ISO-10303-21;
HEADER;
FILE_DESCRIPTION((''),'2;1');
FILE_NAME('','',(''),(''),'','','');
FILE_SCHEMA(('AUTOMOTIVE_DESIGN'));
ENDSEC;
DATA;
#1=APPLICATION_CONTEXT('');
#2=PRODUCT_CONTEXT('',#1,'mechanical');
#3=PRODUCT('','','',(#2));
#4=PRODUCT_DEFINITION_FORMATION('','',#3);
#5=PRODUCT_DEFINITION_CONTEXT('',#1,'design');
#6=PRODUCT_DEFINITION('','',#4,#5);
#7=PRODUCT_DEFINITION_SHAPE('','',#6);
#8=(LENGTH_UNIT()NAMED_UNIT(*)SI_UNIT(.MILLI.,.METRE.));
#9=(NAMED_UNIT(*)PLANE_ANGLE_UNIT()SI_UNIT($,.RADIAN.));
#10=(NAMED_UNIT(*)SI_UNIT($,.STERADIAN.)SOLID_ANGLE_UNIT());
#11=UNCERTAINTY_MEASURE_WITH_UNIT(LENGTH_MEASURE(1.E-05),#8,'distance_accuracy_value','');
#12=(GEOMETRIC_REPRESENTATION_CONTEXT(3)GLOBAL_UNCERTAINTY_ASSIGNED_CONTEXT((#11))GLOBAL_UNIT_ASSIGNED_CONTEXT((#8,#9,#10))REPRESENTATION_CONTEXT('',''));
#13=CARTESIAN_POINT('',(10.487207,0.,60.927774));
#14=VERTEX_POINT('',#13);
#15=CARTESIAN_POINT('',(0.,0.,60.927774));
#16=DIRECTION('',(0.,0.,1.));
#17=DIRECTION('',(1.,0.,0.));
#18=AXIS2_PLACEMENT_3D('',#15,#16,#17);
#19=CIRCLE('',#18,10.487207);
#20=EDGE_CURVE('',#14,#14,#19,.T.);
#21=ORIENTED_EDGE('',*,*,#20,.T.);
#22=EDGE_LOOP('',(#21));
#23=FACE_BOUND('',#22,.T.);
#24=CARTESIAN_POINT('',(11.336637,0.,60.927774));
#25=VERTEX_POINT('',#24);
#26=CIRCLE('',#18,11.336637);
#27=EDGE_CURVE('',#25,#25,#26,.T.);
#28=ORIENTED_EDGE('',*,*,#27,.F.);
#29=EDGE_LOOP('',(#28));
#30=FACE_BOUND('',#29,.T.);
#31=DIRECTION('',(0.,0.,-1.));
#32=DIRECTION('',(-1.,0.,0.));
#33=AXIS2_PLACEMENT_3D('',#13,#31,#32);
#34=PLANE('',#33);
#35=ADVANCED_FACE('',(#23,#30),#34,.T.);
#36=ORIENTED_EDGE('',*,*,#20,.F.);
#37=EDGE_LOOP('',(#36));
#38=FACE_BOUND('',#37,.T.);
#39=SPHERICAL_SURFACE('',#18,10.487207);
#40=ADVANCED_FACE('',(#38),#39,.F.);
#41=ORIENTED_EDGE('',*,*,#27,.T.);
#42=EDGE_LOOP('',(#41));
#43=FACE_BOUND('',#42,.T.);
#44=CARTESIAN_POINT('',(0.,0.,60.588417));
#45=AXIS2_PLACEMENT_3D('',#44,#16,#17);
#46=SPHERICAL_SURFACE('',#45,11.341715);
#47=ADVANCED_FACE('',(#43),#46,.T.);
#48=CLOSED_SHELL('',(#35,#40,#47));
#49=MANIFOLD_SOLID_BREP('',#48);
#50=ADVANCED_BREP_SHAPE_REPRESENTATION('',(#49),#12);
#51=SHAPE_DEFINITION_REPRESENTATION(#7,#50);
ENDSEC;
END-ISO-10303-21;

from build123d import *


with BuildPart() as part:
    # 草图2 → 旋转1 (revolve)
    with BuildSketch(Plane(origin=(0, 0, 0), x_dir=(1, 0, 0), z_dir=(0, 1, 0))):
        with BuildLine():
            Line((0, -71.414980817), (0, -71.930131884))
            ThreePointArc((0, -71.930131884), (7.898911537, -68.727316973), (11.336636736, -60.927773891))
            Line((11.336636736, -60.927773891), (10.487206926, -60.927773891))
            ThreePointArc((10.487206926, -60.927773891), (7.415575133, -68.343349024), (0, -71.414980817))
        make_face()
    revolve(axis=Axis((0, 0, 0), (0, 0, -1)))


solid = part.part
